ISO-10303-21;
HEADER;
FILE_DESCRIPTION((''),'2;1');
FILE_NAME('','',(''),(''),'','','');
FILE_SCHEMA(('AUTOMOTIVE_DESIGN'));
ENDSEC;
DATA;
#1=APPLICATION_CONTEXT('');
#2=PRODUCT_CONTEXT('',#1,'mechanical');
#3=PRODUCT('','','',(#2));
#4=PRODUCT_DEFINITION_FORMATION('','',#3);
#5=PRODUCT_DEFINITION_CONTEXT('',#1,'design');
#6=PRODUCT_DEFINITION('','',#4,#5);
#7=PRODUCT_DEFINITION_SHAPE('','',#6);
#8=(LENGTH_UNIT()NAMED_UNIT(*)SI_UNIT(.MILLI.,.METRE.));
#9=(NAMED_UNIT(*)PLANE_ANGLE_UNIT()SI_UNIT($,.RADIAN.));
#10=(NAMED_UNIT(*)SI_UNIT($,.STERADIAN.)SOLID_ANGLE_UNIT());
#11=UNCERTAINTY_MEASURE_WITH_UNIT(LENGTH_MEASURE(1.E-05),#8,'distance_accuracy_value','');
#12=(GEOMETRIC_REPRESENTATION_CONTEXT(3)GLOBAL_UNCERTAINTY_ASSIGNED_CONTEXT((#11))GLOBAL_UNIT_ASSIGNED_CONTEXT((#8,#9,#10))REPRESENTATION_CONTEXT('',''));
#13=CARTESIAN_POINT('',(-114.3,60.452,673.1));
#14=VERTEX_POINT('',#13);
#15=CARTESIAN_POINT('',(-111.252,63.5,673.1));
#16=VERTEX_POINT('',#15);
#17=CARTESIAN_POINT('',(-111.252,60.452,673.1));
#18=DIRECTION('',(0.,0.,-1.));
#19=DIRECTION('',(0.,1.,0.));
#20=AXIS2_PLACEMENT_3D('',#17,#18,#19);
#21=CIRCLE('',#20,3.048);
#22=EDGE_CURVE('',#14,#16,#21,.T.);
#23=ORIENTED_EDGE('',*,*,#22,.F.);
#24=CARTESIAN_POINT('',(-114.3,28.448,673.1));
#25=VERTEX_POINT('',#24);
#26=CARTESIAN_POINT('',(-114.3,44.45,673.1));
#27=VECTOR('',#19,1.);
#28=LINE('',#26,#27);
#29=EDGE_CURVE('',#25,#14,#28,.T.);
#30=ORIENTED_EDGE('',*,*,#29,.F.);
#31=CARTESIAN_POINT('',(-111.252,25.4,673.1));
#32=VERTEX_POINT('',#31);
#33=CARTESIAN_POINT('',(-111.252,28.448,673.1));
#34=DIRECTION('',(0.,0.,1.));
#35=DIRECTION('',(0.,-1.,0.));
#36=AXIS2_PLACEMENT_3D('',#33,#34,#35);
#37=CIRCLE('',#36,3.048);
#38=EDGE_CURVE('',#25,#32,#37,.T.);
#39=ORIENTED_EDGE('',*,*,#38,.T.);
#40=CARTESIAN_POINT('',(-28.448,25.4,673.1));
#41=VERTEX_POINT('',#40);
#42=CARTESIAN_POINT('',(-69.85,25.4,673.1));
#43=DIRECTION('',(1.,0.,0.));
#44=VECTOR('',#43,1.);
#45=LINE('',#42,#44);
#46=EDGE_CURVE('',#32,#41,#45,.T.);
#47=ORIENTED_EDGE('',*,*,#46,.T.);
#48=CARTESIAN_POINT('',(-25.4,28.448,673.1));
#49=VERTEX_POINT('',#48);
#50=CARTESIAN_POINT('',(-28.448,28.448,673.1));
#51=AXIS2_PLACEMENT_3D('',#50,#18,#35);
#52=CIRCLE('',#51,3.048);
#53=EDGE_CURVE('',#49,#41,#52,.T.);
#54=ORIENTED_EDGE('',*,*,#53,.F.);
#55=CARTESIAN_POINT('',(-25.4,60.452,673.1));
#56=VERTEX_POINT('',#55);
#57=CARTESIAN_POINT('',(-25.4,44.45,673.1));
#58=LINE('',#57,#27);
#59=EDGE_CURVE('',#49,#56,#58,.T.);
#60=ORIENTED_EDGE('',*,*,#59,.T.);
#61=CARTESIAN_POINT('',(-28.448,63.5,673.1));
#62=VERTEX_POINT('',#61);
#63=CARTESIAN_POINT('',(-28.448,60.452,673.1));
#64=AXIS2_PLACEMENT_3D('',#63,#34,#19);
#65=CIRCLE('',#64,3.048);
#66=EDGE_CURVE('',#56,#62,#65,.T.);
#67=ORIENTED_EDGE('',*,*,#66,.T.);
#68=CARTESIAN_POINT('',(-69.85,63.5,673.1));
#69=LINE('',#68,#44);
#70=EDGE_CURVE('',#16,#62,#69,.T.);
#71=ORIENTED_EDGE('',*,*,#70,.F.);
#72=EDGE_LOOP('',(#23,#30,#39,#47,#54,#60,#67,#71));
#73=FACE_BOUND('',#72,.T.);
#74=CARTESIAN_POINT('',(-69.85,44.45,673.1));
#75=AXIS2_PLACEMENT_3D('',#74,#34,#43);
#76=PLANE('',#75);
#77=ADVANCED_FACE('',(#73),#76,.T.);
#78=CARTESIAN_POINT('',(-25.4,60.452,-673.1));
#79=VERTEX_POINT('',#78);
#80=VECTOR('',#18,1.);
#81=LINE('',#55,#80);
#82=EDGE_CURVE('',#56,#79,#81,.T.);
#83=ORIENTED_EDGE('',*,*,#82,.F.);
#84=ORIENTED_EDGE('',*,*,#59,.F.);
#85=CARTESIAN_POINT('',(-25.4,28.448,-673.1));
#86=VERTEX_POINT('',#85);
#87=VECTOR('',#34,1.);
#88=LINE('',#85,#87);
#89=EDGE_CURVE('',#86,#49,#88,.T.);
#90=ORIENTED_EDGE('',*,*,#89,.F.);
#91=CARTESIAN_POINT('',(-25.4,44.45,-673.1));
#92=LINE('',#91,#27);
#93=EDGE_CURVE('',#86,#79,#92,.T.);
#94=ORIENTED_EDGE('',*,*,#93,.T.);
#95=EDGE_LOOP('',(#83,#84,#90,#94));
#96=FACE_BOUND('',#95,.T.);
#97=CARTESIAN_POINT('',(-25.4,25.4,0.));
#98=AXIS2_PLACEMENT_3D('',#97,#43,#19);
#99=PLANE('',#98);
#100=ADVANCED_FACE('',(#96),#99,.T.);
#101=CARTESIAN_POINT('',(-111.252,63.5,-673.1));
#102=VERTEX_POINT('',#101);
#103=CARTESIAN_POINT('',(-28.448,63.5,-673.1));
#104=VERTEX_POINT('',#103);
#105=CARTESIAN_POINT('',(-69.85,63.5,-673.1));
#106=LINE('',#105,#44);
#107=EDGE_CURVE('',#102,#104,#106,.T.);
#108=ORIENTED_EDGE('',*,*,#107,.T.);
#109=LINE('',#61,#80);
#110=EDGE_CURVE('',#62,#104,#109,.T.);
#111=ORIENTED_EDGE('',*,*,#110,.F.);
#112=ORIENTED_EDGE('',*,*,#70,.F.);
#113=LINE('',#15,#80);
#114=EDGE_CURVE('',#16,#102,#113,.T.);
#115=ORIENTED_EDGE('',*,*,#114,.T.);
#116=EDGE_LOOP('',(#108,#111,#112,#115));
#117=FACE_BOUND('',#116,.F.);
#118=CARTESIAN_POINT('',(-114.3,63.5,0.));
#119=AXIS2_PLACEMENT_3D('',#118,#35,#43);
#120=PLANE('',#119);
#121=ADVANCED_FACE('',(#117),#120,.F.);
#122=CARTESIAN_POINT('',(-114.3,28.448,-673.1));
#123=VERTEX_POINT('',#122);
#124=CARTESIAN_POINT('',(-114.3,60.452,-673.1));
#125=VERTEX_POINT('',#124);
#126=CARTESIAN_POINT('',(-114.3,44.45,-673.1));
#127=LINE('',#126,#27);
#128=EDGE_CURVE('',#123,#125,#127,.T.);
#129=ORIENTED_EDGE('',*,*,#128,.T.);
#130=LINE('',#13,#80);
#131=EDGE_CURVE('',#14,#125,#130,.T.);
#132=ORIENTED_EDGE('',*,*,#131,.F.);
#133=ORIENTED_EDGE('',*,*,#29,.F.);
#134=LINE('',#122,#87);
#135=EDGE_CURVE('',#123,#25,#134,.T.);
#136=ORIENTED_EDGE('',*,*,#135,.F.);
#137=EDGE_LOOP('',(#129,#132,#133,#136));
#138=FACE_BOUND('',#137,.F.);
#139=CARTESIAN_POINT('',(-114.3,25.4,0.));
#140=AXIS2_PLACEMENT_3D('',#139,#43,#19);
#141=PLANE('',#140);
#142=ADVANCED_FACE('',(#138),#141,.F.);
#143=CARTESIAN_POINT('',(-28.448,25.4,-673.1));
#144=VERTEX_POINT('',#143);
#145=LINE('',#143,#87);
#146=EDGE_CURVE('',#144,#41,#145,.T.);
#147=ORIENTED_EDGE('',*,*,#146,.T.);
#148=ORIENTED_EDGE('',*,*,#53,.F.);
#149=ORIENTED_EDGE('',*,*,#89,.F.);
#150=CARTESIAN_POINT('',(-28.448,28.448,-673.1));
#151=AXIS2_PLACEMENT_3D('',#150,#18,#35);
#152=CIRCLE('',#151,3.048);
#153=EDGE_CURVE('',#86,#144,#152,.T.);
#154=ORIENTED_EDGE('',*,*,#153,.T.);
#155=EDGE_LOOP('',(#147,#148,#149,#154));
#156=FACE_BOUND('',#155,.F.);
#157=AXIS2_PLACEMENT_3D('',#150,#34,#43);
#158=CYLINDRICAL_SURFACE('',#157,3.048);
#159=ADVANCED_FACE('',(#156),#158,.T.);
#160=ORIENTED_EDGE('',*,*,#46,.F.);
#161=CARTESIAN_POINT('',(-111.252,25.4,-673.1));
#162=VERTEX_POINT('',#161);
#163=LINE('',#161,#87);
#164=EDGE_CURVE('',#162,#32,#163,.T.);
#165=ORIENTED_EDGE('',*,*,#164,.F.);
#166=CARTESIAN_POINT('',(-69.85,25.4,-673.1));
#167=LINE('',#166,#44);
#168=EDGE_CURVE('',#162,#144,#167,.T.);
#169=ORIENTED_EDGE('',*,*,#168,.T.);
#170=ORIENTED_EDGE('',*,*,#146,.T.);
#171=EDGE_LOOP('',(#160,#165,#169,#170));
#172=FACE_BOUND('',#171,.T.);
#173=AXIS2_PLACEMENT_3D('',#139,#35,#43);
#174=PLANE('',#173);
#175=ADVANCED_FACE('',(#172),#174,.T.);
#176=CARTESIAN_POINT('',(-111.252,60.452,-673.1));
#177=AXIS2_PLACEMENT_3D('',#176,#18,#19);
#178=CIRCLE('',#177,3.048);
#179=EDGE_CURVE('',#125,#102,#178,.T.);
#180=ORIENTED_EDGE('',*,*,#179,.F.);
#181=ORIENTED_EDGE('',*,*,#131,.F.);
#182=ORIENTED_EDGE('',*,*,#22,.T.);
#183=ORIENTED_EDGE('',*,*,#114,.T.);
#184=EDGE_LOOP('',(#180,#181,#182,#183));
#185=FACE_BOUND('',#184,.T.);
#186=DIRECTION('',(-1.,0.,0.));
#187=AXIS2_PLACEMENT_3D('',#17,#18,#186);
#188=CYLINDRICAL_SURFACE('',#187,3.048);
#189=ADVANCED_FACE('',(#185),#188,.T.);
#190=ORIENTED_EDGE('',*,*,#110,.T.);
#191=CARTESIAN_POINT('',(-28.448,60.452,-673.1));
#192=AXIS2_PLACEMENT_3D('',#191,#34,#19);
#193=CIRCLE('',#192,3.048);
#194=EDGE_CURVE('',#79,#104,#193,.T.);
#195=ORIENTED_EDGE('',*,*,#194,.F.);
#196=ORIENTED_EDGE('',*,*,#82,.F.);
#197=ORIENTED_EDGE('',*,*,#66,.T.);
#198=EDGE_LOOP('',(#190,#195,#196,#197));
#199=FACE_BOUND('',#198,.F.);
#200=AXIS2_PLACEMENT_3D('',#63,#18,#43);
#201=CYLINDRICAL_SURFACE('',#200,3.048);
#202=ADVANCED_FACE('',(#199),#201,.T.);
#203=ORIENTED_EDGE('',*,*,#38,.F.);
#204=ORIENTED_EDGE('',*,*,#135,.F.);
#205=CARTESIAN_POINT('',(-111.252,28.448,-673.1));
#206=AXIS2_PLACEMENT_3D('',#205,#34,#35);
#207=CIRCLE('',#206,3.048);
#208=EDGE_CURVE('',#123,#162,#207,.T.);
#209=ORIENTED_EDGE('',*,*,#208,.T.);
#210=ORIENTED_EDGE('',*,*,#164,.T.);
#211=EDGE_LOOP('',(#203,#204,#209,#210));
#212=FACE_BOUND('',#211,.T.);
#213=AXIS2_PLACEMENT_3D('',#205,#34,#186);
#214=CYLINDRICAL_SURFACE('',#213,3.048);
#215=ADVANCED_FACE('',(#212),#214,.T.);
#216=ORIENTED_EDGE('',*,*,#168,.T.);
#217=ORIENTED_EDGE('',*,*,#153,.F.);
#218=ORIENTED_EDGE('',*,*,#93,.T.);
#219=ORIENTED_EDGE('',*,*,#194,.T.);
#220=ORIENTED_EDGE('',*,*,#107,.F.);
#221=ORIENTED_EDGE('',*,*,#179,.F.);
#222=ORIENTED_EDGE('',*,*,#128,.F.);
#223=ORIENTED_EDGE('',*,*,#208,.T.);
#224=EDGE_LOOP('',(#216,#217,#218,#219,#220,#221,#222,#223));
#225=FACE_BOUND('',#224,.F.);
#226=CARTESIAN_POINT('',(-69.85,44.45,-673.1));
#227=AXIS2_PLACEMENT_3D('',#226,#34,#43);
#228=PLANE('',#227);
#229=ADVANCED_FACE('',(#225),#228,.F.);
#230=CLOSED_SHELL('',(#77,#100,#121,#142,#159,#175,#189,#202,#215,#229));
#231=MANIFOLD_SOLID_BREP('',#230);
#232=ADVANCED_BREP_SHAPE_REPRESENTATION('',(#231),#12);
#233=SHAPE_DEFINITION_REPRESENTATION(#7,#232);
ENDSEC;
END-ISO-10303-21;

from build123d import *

# Parameters (mm, degrees)
SKETCH_W  = 88.9
SKETCH_H  = 38.1
PAD_DEPTH = 673.1
FILLET_R  = 3.048


with BuildPart() as part:
    # Sketch → Pad (new body, symmetric)
    with BuildSketch(Plane.XY):
        with Locations((-69.85, 44.45)):
            Rectangle(SKETCH_W, SKETCH_H)
    extrude(amount=PAD_DEPTH, both=True)

    # Fillet
    fillet_edges = [part.edges().sort_by_distance(p)[0] for p in [
        (-25.4, 63.5, 0),
        (-114.3, 63.5, 0),
        (-25.4, 25.4, 0),
        (-114.3, 25.4, 0),
    ]]
    fillet(fillet_edges, radius=FILLET_R)


solid = part.part
